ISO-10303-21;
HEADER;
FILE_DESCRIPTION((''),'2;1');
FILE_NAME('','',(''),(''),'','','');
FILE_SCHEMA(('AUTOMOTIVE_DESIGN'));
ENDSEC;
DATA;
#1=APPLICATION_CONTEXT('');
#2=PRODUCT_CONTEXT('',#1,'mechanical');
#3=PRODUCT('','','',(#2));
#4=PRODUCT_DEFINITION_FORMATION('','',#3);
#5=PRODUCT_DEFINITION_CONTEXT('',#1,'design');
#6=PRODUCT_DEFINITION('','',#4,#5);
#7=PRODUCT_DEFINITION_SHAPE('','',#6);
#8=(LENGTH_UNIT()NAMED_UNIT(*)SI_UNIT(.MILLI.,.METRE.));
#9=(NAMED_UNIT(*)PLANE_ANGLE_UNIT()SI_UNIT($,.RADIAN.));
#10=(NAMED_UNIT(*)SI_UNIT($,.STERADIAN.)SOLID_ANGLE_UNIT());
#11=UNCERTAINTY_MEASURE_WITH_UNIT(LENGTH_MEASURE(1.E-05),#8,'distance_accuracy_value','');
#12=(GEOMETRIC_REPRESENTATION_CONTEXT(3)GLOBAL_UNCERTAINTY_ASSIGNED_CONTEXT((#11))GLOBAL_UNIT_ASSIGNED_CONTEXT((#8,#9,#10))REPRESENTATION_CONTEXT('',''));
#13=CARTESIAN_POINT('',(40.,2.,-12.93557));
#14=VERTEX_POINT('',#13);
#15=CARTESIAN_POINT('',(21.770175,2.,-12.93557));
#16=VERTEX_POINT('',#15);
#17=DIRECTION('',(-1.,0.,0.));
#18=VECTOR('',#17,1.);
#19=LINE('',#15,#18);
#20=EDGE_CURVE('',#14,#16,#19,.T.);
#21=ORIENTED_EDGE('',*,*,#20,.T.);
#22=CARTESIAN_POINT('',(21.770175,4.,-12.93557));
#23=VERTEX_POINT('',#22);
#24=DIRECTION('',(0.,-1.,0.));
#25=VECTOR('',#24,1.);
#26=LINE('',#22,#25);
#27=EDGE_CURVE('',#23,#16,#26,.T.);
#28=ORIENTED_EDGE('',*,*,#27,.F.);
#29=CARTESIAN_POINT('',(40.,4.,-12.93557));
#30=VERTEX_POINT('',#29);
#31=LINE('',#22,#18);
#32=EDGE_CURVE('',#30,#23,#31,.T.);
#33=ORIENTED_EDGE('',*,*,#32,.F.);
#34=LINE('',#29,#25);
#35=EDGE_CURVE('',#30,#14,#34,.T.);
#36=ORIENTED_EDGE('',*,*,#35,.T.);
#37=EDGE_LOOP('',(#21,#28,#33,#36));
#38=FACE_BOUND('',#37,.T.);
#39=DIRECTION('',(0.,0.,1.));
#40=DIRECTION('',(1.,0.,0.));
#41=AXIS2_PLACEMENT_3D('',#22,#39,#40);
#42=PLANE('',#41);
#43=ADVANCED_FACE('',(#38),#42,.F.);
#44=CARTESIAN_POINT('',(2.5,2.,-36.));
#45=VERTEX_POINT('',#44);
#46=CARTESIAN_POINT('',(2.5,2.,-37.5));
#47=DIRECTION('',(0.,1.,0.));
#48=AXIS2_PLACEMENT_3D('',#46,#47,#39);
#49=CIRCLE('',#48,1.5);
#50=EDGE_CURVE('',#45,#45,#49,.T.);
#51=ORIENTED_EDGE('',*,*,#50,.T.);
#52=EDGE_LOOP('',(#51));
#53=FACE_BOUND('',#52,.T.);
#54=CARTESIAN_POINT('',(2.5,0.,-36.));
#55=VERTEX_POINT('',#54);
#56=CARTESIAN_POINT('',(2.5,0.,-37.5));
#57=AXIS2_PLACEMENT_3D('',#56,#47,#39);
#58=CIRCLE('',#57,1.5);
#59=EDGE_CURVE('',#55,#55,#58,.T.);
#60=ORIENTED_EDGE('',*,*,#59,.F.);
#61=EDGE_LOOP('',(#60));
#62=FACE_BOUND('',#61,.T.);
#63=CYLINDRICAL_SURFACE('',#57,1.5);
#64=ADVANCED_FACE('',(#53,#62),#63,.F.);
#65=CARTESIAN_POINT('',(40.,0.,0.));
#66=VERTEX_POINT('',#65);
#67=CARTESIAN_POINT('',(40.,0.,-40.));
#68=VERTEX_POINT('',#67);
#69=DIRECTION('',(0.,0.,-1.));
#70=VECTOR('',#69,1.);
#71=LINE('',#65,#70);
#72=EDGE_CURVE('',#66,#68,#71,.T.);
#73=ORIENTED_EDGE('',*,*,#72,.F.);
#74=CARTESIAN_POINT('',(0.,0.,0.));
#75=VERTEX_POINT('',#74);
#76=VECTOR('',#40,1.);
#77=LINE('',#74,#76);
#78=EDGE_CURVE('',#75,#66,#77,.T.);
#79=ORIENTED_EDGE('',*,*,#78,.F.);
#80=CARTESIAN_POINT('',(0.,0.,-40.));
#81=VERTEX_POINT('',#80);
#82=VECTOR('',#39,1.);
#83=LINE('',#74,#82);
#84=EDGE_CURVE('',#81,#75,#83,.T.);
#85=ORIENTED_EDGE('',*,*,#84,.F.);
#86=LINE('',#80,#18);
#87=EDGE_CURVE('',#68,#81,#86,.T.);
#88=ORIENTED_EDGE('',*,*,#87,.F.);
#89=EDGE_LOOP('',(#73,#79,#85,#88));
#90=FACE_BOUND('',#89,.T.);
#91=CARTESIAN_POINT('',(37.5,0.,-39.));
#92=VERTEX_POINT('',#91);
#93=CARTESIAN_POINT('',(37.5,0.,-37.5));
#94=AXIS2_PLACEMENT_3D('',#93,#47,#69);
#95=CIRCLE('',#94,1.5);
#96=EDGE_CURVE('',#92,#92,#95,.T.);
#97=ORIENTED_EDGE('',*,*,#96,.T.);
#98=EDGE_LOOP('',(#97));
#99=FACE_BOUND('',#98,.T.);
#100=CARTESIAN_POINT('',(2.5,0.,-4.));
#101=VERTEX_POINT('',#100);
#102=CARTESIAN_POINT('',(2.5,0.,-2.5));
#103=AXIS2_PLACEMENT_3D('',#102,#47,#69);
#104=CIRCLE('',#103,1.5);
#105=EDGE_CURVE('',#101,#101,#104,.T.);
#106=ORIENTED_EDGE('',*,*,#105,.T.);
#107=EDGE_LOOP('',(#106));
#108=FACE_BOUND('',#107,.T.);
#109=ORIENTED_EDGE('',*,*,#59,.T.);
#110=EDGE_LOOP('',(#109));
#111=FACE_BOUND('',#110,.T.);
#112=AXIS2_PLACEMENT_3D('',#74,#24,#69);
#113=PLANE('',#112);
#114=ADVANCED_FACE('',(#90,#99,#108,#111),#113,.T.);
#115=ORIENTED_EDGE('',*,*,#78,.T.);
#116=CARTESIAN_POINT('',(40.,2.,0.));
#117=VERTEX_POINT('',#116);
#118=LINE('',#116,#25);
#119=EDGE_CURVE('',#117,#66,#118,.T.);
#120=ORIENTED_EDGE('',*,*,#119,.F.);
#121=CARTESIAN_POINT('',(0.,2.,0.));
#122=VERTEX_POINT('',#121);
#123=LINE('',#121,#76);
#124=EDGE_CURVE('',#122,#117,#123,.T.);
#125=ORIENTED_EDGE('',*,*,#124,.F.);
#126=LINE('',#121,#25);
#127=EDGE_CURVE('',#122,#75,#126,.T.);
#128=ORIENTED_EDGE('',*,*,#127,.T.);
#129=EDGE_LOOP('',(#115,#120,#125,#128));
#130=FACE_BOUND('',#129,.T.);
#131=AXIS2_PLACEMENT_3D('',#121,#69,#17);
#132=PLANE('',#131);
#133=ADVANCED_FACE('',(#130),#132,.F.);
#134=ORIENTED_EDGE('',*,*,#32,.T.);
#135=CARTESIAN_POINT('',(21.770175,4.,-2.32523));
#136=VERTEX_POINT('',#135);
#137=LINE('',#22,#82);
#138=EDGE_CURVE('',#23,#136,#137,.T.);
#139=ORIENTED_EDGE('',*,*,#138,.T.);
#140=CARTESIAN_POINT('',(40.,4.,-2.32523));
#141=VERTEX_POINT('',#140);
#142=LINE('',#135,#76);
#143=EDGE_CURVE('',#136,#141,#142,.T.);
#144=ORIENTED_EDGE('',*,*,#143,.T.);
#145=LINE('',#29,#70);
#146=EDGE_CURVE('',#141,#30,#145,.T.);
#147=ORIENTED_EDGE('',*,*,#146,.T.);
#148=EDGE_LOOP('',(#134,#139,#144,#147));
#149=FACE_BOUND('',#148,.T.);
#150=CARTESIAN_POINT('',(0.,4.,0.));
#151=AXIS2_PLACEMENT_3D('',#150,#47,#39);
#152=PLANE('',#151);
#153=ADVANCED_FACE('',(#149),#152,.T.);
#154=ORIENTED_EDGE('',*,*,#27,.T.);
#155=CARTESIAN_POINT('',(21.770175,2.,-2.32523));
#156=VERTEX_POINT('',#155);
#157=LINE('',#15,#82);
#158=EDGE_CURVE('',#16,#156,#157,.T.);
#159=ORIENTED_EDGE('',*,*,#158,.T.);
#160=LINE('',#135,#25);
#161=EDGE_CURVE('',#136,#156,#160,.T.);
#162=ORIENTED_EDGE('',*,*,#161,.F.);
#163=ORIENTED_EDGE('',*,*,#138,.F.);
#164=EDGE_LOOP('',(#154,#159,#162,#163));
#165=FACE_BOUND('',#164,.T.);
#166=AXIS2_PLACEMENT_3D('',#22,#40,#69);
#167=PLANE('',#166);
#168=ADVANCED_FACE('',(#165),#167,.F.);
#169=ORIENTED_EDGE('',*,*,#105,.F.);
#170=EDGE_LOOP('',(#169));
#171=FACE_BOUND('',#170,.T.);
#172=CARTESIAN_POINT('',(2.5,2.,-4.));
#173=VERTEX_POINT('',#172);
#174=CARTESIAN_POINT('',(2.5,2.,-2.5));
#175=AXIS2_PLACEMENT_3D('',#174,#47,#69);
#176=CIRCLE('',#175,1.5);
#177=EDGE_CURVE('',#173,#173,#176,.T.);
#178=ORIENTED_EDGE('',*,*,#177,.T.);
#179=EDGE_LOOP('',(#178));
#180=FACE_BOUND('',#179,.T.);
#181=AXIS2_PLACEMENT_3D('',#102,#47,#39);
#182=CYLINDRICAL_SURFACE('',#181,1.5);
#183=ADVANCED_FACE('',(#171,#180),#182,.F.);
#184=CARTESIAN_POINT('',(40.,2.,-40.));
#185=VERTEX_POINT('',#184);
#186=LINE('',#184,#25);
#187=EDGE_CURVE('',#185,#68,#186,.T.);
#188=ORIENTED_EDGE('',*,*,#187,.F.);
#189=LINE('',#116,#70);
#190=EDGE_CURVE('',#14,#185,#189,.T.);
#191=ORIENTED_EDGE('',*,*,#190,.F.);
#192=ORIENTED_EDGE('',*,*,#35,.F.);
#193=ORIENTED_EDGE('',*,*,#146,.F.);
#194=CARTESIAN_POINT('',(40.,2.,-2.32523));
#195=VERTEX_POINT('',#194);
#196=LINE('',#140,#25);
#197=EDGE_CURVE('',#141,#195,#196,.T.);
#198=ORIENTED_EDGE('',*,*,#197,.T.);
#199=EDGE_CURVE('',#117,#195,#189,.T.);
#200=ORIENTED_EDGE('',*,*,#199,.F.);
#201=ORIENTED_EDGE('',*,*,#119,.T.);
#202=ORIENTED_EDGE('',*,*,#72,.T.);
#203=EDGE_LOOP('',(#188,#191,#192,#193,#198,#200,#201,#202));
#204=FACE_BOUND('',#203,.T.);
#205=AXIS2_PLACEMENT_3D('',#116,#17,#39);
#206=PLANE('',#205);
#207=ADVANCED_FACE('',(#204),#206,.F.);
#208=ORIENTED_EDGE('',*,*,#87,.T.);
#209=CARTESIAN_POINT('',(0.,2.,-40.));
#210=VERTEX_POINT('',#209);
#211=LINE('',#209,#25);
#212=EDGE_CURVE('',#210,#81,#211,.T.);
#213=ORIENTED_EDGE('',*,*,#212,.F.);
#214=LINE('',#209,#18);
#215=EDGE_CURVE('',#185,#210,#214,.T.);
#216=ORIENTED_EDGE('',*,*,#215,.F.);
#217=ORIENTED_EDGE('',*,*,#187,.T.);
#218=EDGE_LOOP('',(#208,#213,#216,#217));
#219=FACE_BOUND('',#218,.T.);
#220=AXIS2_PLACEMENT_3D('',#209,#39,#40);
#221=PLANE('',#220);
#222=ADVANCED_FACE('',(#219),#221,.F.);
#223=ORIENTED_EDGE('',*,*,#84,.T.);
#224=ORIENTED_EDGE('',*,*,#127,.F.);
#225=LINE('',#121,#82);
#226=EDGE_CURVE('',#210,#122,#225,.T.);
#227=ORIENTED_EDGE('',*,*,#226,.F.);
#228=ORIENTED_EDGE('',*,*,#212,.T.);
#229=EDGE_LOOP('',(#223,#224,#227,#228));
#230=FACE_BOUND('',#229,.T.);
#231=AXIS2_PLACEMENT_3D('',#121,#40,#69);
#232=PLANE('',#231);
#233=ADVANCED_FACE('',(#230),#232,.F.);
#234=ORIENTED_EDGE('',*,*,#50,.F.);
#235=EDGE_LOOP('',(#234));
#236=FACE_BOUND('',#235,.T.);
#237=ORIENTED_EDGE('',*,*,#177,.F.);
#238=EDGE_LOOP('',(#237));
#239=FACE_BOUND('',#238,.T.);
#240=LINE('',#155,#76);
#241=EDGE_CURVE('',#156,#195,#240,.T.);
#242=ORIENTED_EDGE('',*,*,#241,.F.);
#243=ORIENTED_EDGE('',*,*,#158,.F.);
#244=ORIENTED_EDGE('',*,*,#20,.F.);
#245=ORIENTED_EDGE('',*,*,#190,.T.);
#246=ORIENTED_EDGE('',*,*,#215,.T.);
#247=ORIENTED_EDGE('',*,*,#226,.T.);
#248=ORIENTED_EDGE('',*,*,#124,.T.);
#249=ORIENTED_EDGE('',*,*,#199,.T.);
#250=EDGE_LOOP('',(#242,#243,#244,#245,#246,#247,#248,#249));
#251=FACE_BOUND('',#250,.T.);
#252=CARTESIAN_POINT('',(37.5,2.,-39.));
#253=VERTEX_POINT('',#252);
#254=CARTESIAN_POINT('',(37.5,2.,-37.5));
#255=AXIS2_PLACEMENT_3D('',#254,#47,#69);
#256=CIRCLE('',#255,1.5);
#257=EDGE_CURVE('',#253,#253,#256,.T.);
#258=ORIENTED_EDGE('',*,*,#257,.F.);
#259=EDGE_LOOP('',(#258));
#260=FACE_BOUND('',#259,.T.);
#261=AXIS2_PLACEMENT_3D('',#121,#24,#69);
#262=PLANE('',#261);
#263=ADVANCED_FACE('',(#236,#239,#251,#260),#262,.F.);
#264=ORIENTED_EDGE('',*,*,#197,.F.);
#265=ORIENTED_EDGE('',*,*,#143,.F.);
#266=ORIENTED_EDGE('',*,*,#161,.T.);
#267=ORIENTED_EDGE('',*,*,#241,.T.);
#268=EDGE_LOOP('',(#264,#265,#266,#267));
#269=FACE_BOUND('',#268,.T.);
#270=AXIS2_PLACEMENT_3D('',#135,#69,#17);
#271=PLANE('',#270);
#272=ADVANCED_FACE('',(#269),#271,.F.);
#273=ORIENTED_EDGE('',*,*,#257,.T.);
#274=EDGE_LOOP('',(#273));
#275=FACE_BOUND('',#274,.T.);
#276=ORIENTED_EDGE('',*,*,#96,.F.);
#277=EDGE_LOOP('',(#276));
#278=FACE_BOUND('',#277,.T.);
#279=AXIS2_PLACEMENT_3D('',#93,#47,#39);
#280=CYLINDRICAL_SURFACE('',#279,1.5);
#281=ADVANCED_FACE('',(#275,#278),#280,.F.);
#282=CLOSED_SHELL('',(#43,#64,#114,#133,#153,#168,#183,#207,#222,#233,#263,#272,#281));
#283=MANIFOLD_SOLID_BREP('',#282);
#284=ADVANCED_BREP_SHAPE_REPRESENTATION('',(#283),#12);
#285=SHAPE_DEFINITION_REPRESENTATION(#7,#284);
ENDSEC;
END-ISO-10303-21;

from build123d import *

# Parameters (mm, degrees)
SKETCH1_W           = 40
SKETCH1_H           = 40
BOSS_EXTRUDE1_DEPTH = 2
SKETCH2_R           = 1.5
CUT_EXTRUDE1_DEPTH  = 3
SKETCH3_W           = 18.229825434
SKETCH3_H           = 10.610339614
BOSS_EXTRUDE2_DEPTH = 2


with BuildPart() as part:
    # Sketch1 → Boss-Extrude1 (new body)
    with BuildSketch(Plane(origin=(0, 0, 0), x_dir=(1, 0, 0), z_dir=(0, 1, 0))):
        with Locations((20, 20)):
            Rectangle(SKETCH1_W, SKETCH1_H)
    extrude(amount=BOSS_EXTRUDE1_DEPTH)

    # Sketch2 → Cut-Extrude1 (cut, through all)
    with BuildSketch(Plane(origin=(0, 2, 0), x_dir=(1, 0, 0), z_dir=(0, 1, 0))):
        with Locations((2.5, 37.5)):
            Circle(SKETCH2_R)
        with Locations((37.5, 37.5)):
            Circle(SKETCH2_R)
        with Locations((2.5, 2.5)):
            Circle(SKETCH2_R)
    extrude(amount=-CUT_EXTRUDE1_DEPTH, mode=Mode.SUBTRACT)

    # Sketch3 → Boss-Extrude2 (add)
    with BuildSketch(Plane(origin=(0, 2, 0), x_dir=(1, 0, 0), z_dir=(0, 1, 0))):
        with Locations((30.885087283, 7.630399835)):
            Rectangle(SKETCH3_W, SKETCH3_H)
    extrude(amount=BOSS_EXTRUDE2_DEPTH)


solid = part.part
